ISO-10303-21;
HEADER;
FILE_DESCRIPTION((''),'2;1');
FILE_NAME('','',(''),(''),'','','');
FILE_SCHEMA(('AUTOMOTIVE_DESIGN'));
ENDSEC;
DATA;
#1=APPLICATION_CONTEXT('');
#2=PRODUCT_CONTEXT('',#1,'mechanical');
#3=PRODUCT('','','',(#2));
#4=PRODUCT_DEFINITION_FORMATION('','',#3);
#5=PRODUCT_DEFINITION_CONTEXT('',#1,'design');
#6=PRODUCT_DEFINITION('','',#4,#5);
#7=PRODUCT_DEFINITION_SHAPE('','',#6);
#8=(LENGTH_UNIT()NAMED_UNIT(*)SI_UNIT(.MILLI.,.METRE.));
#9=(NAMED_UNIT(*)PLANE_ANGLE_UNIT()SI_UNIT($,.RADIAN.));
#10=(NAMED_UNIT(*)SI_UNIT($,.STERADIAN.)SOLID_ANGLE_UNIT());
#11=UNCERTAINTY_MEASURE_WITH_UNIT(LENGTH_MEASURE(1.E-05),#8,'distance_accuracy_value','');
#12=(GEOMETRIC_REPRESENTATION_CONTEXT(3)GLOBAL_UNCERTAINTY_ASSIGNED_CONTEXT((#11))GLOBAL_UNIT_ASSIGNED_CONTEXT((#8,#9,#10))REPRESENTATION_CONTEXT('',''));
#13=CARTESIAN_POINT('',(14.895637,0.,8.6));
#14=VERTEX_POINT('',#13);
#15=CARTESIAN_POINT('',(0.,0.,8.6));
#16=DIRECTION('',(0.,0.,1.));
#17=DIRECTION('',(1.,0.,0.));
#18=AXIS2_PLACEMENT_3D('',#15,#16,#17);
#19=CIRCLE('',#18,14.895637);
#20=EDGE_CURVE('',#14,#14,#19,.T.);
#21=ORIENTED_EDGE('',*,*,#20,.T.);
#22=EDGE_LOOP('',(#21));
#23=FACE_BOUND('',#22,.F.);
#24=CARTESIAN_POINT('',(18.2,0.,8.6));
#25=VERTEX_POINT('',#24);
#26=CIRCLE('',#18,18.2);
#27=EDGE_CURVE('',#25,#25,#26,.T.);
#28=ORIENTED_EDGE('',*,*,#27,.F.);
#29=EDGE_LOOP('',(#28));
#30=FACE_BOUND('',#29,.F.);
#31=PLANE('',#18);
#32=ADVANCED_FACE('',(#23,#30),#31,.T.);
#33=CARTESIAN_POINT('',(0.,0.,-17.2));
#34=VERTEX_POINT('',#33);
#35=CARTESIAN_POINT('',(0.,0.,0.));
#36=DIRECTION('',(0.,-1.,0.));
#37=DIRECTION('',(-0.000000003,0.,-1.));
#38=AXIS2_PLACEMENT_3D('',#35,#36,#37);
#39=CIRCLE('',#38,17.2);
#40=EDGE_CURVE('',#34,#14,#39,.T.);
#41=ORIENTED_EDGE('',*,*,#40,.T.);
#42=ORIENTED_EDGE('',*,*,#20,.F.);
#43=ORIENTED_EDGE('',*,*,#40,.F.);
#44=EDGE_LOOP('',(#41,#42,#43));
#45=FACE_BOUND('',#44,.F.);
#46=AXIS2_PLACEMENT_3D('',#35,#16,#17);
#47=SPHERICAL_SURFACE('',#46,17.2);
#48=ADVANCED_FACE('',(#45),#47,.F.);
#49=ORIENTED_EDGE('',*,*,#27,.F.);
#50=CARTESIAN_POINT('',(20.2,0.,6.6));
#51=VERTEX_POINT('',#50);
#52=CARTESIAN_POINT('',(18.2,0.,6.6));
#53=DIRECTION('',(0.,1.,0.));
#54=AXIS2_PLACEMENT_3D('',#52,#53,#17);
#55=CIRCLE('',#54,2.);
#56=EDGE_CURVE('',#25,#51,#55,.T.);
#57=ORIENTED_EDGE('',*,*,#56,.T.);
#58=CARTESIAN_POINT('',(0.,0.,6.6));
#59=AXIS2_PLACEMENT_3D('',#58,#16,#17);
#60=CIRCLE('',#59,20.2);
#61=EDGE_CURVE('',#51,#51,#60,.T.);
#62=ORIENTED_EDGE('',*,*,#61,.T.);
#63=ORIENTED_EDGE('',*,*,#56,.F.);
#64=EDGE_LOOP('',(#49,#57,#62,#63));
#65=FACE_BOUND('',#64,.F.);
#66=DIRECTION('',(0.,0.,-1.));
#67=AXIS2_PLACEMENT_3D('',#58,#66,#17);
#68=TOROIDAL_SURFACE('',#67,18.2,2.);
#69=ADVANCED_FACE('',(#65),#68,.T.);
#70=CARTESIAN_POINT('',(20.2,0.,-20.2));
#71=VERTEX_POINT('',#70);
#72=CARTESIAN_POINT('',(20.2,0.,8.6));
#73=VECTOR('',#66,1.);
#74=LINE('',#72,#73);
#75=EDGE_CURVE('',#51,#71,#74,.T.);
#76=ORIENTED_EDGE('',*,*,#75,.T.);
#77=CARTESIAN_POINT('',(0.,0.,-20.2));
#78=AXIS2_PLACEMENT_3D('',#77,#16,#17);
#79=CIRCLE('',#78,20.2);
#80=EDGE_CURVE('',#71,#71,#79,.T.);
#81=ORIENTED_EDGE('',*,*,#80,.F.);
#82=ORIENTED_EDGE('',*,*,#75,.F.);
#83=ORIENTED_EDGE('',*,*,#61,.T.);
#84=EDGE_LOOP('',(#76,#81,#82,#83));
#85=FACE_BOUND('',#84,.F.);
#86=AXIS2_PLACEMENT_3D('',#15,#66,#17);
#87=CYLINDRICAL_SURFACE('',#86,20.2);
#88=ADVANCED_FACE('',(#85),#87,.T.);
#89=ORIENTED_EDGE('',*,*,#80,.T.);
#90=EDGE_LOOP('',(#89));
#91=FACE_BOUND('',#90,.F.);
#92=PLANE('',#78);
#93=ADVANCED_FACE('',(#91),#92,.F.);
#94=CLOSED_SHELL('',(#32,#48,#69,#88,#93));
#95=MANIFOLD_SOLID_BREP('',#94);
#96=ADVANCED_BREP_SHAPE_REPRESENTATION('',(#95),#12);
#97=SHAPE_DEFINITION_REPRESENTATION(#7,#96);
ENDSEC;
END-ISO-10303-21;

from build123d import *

# Parameters (mm, degrees)
FILLET_R = 2


with BuildPart() as part:
    # Sketch → Revolution (revolve)
    with BuildSketch(Plane.XZ):
        with BuildLine():
            ThreePointArc((0, -17.2), (14.895637, -8.6), (14.895637, 8.6))
            Line((14.895637, 8.6), (20.2, 8.6))
            Line((20.2, 8.6), (20.2, -20.2))
            Line((20.2, -20.2), (0, -20.2))
            Line((0, -20.2), (0, -17.2))
        make_face()
    revolve(axis=Axis((0, 0, 0), (0, 0, 1)))

    # Fillet
    fillet_edges = [part.edges().sort_by_distance(p)[0] for p in [
        (-20.2, 0, 8.6),
    ]]
    fillet(fillet_edges, radius=FILLET_R)


solid = part.part
